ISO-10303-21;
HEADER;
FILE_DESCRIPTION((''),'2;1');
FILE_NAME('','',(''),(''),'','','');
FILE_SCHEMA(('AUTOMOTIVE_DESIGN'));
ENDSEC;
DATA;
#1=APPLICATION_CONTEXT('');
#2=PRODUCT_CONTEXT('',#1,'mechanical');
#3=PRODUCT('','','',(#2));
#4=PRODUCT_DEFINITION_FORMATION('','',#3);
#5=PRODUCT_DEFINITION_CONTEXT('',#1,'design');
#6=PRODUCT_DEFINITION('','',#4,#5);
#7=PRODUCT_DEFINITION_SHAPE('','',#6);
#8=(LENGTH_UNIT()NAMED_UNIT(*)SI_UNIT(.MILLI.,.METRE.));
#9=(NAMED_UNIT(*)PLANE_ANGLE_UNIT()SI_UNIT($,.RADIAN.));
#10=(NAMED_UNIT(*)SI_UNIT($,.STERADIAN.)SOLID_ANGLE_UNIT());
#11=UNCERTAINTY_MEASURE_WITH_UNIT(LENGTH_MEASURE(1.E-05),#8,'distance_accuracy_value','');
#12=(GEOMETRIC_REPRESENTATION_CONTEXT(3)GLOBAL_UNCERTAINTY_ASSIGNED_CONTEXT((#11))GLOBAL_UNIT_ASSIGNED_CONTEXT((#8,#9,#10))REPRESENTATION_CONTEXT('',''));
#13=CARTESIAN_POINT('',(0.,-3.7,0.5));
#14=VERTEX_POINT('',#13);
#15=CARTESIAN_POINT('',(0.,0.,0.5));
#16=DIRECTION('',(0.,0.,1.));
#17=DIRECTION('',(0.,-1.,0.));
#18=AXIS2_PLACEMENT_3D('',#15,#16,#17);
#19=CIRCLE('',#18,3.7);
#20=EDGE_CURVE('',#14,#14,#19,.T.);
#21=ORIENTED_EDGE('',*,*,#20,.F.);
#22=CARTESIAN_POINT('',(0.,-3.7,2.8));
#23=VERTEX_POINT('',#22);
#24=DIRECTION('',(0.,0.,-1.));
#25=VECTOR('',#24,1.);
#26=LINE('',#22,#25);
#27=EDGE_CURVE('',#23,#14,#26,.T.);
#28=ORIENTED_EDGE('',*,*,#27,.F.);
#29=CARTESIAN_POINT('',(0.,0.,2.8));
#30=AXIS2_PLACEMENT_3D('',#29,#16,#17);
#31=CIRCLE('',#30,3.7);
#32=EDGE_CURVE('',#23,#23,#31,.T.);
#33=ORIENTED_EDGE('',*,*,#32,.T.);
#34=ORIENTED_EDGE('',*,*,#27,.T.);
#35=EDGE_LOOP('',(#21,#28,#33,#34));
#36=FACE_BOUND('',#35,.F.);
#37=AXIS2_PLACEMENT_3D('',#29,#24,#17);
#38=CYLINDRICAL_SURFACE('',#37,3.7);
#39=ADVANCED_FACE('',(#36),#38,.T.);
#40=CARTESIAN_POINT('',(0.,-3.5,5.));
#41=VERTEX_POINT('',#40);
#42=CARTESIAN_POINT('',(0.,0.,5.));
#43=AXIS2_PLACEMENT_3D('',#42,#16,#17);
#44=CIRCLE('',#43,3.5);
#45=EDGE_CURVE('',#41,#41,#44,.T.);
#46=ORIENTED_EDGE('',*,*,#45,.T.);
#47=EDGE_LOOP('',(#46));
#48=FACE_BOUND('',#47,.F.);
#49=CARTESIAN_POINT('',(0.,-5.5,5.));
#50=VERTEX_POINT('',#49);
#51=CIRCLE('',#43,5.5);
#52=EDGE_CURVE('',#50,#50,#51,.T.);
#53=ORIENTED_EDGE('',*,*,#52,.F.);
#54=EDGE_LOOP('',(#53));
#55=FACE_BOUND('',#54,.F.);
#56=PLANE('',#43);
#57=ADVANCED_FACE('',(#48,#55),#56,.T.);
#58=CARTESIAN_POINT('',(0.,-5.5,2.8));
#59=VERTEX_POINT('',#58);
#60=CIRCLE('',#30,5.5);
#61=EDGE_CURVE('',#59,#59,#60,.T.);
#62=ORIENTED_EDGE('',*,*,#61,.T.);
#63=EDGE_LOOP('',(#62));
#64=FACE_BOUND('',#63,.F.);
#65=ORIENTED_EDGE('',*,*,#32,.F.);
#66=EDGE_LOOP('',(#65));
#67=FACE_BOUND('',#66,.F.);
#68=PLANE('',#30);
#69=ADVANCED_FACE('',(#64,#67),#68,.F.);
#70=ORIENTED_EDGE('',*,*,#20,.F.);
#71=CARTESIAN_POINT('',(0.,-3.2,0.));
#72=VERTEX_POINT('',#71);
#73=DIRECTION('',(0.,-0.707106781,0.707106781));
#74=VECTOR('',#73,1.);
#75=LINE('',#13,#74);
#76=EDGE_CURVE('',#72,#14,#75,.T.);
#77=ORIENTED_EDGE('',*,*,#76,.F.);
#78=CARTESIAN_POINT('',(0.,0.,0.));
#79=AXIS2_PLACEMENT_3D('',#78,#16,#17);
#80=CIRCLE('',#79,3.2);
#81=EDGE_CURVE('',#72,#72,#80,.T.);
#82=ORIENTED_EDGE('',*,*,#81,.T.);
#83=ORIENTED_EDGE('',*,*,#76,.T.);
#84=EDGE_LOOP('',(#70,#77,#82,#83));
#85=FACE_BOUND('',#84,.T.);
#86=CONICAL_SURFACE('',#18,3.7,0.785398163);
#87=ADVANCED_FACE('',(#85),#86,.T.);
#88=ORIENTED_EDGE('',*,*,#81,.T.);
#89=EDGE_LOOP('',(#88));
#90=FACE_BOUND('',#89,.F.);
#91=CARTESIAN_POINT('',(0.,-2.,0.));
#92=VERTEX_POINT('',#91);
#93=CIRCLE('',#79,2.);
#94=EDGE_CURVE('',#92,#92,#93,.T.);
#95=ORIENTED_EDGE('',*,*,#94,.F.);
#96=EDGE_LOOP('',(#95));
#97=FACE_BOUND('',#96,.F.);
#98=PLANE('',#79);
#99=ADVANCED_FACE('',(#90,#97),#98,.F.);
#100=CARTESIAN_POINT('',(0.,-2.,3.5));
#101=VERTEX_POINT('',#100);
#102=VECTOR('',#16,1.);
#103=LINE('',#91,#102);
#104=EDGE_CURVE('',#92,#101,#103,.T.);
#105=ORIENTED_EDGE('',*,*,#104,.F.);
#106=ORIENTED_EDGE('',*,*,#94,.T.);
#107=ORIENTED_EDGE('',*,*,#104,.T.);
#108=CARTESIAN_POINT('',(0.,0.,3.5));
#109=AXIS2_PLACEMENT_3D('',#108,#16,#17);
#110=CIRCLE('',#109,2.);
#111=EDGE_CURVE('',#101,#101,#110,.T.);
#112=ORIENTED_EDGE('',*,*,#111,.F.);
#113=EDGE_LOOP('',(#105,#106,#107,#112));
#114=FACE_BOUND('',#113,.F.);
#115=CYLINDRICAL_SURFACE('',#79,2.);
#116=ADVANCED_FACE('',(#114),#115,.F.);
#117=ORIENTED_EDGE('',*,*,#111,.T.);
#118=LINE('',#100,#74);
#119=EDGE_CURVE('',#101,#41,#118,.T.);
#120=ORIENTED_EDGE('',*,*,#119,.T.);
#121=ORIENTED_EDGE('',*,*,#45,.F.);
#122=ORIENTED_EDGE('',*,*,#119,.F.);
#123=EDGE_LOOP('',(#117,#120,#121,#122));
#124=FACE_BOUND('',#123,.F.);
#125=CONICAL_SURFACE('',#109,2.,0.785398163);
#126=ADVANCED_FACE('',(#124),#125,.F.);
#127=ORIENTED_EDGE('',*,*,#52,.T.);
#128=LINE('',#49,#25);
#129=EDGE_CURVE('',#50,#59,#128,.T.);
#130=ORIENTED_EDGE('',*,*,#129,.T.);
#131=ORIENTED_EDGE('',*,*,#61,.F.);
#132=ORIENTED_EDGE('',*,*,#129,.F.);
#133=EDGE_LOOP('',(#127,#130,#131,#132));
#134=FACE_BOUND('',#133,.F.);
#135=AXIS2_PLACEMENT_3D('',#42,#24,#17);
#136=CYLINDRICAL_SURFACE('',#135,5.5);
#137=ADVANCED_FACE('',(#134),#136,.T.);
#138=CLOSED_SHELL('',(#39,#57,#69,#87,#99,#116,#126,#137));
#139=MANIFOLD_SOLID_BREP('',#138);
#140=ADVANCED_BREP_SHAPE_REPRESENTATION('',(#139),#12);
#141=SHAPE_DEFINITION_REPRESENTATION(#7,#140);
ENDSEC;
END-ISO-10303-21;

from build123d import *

# Parameters (mm, degrees)
F2_SIZE = 1.5
F3_SIZE = 0.5


with BuildPart() as f1:
    # F0 (on Right) → F1 (revolve)
    with BuildSketch(Plane.YZ):
        Polygon((-3.7, 0), (-2, 0), (-2, 5), (-5.5, 5), (-5.5, 2.8), (-3.7, 2.8), align=None)
    revolve(axis=Axis((0, 0, 4.618393), (0, 0, 1)))

    # F2
    f2_edges = [f1.edges().sort_by_distance(p)[0] for p in [
        (0, 2, 5),
    ]]
    chamfer(f2_edges, length=F2_SIZE)

    # F3
    f3_edges = [f1.edges().sort_by_distance(p)[0] for p in [
        (0, 3.7, 0),
    ]]
    chamfer(f3_edges, length=F3_SIZE)


solid = f1.part
